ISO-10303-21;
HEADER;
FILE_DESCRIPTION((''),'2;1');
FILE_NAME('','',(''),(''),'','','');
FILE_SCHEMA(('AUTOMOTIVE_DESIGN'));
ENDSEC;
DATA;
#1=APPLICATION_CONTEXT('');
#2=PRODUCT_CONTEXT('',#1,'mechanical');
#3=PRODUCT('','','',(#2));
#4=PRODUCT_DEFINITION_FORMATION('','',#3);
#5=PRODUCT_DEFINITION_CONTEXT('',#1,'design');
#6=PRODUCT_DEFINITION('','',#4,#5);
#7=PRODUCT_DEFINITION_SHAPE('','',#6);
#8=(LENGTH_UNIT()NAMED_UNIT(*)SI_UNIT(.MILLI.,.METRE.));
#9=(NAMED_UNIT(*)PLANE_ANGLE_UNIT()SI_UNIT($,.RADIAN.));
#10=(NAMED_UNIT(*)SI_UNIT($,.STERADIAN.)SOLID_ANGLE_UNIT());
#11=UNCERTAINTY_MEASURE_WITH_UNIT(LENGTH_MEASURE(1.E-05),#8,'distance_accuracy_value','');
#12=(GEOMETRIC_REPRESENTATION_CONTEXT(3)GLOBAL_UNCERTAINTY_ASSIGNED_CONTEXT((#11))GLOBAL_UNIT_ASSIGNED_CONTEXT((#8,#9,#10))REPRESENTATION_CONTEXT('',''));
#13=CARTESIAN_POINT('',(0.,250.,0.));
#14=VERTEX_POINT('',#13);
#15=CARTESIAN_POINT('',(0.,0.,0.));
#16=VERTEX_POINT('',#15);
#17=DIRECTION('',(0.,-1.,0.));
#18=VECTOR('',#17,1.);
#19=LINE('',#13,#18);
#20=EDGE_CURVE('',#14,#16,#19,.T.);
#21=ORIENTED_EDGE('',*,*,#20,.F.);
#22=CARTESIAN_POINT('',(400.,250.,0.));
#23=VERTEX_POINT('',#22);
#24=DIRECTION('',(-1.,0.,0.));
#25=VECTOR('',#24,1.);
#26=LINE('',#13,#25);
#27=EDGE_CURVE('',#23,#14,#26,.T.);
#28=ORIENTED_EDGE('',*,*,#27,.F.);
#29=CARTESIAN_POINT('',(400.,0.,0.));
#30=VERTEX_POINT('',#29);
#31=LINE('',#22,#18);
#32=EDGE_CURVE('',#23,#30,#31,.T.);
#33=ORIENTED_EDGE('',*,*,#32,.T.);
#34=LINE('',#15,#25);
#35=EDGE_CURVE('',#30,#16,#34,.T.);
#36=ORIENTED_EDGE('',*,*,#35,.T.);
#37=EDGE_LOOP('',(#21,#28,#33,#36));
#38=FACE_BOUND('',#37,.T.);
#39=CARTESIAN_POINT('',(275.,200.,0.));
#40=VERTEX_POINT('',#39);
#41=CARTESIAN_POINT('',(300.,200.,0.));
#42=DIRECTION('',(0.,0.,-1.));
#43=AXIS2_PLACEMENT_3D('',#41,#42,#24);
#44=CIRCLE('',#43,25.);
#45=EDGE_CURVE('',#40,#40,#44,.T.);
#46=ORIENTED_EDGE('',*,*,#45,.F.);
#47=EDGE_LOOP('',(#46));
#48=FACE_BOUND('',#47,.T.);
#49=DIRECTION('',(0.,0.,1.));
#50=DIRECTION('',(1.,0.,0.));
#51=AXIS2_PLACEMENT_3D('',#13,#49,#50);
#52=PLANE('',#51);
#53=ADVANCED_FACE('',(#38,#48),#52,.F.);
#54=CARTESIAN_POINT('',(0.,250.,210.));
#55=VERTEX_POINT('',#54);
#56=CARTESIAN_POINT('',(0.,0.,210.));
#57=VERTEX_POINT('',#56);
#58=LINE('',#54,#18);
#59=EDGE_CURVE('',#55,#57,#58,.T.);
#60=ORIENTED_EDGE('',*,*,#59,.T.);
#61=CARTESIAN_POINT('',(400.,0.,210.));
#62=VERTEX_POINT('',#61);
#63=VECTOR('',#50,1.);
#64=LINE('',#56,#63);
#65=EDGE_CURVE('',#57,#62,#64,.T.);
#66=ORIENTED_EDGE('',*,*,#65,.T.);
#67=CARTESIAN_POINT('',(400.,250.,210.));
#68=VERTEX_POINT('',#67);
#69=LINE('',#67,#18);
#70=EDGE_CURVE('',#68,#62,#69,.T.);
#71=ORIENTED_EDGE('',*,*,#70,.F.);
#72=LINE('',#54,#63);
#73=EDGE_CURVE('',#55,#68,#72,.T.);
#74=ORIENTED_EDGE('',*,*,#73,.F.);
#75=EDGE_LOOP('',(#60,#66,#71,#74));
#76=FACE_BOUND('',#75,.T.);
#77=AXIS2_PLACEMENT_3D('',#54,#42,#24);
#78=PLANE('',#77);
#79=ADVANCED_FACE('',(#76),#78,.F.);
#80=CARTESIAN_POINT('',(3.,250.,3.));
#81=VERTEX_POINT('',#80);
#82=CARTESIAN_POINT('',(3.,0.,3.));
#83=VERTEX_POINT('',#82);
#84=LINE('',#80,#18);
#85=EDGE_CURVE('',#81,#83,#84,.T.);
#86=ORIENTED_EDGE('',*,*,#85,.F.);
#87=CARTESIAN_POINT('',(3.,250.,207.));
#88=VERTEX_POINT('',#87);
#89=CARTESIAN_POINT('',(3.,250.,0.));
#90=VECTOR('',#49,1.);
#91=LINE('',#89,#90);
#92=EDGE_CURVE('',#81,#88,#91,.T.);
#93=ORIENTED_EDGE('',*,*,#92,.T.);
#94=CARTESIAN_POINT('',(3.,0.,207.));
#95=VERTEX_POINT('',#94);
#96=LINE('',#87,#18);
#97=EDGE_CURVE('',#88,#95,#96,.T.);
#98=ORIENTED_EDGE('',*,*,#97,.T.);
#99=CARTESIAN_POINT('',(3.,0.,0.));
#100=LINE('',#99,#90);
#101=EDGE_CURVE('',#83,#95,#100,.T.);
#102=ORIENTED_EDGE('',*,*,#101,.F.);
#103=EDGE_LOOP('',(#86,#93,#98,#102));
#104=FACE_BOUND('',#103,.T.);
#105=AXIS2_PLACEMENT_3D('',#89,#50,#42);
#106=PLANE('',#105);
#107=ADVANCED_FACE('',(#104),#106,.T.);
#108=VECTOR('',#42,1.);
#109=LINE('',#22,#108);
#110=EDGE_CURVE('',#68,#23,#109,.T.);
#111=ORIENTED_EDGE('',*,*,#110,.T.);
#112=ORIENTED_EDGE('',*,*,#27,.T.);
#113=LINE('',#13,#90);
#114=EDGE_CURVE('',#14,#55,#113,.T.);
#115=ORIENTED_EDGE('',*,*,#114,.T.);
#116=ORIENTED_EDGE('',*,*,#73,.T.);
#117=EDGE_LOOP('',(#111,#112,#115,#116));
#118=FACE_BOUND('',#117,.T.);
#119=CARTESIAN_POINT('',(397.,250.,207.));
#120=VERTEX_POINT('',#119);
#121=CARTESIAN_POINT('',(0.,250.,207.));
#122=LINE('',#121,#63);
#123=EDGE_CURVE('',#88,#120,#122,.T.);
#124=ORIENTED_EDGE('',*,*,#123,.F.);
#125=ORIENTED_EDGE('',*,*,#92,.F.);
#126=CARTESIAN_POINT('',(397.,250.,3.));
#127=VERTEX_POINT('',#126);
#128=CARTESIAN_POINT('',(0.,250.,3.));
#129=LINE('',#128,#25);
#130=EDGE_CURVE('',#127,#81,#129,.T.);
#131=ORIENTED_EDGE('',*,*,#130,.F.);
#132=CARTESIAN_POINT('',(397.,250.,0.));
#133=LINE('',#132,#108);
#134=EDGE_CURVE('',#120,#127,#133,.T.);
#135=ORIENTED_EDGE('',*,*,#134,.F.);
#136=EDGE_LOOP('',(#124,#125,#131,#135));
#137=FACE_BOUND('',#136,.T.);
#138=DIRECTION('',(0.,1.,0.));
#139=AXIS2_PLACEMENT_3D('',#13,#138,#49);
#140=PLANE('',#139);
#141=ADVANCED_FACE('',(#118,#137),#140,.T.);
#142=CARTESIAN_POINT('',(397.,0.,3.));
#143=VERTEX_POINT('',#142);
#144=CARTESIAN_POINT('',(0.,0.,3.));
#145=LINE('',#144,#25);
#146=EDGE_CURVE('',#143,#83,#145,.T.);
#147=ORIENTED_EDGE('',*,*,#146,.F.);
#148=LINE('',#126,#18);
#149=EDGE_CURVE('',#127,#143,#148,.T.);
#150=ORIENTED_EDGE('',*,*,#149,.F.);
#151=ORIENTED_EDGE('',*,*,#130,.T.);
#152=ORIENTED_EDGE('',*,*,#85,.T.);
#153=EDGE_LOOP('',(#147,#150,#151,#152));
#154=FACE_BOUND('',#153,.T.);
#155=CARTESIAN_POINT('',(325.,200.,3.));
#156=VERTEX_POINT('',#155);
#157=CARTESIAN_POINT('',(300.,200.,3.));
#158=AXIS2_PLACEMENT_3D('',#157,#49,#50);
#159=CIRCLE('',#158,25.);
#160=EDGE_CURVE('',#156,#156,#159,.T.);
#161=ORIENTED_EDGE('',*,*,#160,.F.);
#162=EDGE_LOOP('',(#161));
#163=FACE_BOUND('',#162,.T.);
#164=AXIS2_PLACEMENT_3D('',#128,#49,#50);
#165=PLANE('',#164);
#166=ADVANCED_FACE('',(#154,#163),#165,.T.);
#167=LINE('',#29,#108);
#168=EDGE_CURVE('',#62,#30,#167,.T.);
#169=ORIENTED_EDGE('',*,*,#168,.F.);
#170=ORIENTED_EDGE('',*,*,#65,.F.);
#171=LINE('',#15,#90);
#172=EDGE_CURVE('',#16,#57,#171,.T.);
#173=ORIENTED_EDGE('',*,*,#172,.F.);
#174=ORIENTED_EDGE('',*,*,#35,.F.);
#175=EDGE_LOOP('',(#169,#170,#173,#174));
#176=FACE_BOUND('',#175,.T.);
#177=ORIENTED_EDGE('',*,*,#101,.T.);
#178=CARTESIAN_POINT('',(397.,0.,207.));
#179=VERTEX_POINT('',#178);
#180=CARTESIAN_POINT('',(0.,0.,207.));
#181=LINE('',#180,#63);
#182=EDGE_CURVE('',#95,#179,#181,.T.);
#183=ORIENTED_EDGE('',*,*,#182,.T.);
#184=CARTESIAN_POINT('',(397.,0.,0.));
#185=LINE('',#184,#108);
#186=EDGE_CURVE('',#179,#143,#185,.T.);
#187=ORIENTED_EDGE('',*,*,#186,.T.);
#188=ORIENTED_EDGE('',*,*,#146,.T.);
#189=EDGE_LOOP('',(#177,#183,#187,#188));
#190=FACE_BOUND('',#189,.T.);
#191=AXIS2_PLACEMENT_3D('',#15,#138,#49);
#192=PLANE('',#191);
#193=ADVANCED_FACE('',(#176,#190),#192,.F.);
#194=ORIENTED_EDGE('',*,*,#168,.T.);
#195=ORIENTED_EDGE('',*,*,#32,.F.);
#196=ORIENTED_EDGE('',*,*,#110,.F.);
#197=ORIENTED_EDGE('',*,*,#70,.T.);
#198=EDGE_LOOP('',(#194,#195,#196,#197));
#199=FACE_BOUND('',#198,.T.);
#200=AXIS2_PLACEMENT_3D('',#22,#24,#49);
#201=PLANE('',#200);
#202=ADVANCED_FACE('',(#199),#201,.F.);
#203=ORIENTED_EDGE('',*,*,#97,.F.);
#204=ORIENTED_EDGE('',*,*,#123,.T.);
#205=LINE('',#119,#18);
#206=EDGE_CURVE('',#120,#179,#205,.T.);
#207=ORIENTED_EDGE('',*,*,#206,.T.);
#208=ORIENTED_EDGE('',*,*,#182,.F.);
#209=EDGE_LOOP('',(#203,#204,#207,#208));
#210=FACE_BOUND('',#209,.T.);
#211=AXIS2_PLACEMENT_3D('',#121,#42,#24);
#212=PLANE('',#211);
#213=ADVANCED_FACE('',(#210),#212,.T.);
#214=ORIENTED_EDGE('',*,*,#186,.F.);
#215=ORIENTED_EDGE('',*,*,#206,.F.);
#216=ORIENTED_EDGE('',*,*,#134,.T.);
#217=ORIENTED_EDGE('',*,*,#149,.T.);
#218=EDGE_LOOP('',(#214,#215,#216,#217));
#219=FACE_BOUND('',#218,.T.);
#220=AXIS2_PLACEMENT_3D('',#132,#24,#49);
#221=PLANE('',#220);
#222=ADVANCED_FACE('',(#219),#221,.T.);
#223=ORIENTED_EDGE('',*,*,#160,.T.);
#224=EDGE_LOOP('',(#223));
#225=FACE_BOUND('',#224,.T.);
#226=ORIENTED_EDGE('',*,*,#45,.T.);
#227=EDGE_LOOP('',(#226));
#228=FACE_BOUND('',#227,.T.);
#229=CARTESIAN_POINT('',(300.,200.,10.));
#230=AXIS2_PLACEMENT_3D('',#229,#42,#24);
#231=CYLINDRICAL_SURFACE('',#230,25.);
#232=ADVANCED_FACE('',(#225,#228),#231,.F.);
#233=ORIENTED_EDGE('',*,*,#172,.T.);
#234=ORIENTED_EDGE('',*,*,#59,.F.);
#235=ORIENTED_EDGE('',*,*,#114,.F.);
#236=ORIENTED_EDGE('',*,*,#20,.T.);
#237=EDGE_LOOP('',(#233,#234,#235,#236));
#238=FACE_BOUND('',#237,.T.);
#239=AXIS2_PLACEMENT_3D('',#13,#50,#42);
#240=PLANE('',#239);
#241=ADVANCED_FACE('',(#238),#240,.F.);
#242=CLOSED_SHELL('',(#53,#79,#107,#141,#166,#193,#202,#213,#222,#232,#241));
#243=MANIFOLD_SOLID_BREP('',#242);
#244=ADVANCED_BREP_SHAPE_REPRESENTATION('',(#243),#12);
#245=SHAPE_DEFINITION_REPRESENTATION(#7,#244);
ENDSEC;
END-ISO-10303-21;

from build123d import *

# Parameters (mm, degrees)
SKETCH1_W           = 400
SKETCH1_H           = 210
SKETCH1_W_2         = 394
SKETCH1_H_2         = 204
EXTRUDE_THIN1_DEPTH = 250
SKETCH4_R           = 25
CUT_EXTRUDE1_DEPTH  = 10


with BuildPart() as part:
    # Sketch1 → Extrude-Thin1 (new body)
    with BuildSketch(Plane(origin=(0, 0, 0), x_dir=(1, 0, 0), z_dir=(0, 1, 0))):
        with Locations((200, -105)):
            Rectangle(SKETCH1_W, SKETCH1_H)
        with Locations((200, -105)):
            Rectangle(SKETCH1_W_2, SKETCH1_H_2, mode=Mode.SUBTRACT)
    extrude(amount=EXTRUDE_THIN1_DEPTH)

    # Sketch4 → Cut-Extrude1 (cut)
    with BuildSketch(Plane(origin=(0, 0, 0), x_dir=(-1, 0, 0), z_dir=(0, 0, -1))):
        with Locations((-300, 200)):
            Circle(SKETCH4_R)
    extrude(amount=-CUT_EXTRUDE1_DEPTH, mode=Mode.SUBTRACT)


solid = part.part
